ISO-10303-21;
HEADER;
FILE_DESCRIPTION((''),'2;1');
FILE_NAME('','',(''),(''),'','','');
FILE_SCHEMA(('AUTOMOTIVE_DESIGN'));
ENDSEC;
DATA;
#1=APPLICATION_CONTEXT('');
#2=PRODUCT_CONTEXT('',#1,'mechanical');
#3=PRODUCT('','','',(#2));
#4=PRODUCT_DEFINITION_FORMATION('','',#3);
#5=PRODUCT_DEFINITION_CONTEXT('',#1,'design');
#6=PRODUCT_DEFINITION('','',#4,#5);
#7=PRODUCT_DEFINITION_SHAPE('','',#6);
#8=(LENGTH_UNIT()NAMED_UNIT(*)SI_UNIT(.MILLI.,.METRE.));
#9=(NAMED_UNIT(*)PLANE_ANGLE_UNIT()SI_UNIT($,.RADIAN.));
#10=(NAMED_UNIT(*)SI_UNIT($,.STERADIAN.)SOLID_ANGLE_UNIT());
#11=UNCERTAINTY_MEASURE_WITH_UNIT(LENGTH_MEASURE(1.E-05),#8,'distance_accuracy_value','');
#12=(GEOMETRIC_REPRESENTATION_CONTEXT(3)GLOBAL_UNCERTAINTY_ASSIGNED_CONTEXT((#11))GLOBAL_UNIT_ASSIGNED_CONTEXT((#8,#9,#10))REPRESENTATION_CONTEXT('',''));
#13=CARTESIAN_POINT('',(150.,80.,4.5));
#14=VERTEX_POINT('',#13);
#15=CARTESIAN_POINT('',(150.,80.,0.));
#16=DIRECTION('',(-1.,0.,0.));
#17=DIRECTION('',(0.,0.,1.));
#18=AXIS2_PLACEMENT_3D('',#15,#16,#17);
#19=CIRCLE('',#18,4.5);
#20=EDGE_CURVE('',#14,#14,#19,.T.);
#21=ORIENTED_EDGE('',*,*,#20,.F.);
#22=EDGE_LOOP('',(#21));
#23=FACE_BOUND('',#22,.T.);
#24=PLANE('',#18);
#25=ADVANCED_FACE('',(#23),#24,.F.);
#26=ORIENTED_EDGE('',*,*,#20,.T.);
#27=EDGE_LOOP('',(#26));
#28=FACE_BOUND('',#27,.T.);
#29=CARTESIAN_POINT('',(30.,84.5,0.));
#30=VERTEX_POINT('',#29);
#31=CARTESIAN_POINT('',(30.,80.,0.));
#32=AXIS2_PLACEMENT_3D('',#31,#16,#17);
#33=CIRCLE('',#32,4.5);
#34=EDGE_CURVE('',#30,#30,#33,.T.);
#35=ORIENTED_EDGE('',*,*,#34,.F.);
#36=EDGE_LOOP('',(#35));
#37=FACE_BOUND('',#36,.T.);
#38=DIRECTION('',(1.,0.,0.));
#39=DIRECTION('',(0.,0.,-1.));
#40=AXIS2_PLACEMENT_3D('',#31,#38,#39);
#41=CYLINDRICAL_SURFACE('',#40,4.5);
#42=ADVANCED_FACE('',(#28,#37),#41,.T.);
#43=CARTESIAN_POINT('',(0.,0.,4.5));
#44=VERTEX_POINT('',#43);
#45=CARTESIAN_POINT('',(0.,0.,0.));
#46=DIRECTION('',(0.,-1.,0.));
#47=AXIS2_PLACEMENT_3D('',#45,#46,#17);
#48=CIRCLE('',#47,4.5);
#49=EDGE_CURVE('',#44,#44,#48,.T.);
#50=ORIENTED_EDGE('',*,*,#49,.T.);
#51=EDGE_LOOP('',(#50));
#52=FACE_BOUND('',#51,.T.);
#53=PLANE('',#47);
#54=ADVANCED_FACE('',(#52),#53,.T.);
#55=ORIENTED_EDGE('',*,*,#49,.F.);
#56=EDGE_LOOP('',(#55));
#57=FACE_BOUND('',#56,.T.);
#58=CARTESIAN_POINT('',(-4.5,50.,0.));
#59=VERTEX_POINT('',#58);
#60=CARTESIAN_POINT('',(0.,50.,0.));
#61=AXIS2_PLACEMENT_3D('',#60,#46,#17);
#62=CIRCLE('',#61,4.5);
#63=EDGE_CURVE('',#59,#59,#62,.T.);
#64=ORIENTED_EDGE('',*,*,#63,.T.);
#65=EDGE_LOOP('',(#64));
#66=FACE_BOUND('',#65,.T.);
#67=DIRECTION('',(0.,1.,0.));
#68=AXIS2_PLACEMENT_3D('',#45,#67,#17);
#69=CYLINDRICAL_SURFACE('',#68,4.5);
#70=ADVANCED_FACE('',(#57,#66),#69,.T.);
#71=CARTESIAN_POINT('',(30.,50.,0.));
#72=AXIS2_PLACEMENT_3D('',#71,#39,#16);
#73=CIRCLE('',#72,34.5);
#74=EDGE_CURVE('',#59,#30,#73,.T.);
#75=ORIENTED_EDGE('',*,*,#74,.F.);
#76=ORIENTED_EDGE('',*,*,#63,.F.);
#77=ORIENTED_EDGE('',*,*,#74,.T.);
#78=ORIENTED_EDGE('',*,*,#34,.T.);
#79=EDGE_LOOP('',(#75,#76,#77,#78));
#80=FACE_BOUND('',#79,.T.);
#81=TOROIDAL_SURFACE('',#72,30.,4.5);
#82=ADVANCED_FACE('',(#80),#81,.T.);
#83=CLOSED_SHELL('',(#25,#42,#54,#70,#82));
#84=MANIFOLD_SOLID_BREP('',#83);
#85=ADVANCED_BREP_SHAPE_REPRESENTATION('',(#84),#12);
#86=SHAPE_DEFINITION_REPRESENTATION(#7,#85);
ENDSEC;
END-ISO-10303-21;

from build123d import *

# Parameters (mm, degrees)
SWEEP1_PROFILE_R = 4.5


with BuildPart() as part:
    # Sweep1: sweep along a path in Sketch1
    with BuildLine(Plane.XY) as sweep1_path:
        Line((0, 0), (0, 50))
        ThreePointArc((0, 50), (8.786796564, 71.213203436), (30, 80))
        Line((30, 80), (150, 80))
    # Sweep1 profile (on start of the path) → Sweep1 (sweep)
    with BuildSketch(Plane.ZX):
        Circle(SWEEP1_PROFILE_R)
    sweep(path=sweep1_path.line)


solid = part.part
